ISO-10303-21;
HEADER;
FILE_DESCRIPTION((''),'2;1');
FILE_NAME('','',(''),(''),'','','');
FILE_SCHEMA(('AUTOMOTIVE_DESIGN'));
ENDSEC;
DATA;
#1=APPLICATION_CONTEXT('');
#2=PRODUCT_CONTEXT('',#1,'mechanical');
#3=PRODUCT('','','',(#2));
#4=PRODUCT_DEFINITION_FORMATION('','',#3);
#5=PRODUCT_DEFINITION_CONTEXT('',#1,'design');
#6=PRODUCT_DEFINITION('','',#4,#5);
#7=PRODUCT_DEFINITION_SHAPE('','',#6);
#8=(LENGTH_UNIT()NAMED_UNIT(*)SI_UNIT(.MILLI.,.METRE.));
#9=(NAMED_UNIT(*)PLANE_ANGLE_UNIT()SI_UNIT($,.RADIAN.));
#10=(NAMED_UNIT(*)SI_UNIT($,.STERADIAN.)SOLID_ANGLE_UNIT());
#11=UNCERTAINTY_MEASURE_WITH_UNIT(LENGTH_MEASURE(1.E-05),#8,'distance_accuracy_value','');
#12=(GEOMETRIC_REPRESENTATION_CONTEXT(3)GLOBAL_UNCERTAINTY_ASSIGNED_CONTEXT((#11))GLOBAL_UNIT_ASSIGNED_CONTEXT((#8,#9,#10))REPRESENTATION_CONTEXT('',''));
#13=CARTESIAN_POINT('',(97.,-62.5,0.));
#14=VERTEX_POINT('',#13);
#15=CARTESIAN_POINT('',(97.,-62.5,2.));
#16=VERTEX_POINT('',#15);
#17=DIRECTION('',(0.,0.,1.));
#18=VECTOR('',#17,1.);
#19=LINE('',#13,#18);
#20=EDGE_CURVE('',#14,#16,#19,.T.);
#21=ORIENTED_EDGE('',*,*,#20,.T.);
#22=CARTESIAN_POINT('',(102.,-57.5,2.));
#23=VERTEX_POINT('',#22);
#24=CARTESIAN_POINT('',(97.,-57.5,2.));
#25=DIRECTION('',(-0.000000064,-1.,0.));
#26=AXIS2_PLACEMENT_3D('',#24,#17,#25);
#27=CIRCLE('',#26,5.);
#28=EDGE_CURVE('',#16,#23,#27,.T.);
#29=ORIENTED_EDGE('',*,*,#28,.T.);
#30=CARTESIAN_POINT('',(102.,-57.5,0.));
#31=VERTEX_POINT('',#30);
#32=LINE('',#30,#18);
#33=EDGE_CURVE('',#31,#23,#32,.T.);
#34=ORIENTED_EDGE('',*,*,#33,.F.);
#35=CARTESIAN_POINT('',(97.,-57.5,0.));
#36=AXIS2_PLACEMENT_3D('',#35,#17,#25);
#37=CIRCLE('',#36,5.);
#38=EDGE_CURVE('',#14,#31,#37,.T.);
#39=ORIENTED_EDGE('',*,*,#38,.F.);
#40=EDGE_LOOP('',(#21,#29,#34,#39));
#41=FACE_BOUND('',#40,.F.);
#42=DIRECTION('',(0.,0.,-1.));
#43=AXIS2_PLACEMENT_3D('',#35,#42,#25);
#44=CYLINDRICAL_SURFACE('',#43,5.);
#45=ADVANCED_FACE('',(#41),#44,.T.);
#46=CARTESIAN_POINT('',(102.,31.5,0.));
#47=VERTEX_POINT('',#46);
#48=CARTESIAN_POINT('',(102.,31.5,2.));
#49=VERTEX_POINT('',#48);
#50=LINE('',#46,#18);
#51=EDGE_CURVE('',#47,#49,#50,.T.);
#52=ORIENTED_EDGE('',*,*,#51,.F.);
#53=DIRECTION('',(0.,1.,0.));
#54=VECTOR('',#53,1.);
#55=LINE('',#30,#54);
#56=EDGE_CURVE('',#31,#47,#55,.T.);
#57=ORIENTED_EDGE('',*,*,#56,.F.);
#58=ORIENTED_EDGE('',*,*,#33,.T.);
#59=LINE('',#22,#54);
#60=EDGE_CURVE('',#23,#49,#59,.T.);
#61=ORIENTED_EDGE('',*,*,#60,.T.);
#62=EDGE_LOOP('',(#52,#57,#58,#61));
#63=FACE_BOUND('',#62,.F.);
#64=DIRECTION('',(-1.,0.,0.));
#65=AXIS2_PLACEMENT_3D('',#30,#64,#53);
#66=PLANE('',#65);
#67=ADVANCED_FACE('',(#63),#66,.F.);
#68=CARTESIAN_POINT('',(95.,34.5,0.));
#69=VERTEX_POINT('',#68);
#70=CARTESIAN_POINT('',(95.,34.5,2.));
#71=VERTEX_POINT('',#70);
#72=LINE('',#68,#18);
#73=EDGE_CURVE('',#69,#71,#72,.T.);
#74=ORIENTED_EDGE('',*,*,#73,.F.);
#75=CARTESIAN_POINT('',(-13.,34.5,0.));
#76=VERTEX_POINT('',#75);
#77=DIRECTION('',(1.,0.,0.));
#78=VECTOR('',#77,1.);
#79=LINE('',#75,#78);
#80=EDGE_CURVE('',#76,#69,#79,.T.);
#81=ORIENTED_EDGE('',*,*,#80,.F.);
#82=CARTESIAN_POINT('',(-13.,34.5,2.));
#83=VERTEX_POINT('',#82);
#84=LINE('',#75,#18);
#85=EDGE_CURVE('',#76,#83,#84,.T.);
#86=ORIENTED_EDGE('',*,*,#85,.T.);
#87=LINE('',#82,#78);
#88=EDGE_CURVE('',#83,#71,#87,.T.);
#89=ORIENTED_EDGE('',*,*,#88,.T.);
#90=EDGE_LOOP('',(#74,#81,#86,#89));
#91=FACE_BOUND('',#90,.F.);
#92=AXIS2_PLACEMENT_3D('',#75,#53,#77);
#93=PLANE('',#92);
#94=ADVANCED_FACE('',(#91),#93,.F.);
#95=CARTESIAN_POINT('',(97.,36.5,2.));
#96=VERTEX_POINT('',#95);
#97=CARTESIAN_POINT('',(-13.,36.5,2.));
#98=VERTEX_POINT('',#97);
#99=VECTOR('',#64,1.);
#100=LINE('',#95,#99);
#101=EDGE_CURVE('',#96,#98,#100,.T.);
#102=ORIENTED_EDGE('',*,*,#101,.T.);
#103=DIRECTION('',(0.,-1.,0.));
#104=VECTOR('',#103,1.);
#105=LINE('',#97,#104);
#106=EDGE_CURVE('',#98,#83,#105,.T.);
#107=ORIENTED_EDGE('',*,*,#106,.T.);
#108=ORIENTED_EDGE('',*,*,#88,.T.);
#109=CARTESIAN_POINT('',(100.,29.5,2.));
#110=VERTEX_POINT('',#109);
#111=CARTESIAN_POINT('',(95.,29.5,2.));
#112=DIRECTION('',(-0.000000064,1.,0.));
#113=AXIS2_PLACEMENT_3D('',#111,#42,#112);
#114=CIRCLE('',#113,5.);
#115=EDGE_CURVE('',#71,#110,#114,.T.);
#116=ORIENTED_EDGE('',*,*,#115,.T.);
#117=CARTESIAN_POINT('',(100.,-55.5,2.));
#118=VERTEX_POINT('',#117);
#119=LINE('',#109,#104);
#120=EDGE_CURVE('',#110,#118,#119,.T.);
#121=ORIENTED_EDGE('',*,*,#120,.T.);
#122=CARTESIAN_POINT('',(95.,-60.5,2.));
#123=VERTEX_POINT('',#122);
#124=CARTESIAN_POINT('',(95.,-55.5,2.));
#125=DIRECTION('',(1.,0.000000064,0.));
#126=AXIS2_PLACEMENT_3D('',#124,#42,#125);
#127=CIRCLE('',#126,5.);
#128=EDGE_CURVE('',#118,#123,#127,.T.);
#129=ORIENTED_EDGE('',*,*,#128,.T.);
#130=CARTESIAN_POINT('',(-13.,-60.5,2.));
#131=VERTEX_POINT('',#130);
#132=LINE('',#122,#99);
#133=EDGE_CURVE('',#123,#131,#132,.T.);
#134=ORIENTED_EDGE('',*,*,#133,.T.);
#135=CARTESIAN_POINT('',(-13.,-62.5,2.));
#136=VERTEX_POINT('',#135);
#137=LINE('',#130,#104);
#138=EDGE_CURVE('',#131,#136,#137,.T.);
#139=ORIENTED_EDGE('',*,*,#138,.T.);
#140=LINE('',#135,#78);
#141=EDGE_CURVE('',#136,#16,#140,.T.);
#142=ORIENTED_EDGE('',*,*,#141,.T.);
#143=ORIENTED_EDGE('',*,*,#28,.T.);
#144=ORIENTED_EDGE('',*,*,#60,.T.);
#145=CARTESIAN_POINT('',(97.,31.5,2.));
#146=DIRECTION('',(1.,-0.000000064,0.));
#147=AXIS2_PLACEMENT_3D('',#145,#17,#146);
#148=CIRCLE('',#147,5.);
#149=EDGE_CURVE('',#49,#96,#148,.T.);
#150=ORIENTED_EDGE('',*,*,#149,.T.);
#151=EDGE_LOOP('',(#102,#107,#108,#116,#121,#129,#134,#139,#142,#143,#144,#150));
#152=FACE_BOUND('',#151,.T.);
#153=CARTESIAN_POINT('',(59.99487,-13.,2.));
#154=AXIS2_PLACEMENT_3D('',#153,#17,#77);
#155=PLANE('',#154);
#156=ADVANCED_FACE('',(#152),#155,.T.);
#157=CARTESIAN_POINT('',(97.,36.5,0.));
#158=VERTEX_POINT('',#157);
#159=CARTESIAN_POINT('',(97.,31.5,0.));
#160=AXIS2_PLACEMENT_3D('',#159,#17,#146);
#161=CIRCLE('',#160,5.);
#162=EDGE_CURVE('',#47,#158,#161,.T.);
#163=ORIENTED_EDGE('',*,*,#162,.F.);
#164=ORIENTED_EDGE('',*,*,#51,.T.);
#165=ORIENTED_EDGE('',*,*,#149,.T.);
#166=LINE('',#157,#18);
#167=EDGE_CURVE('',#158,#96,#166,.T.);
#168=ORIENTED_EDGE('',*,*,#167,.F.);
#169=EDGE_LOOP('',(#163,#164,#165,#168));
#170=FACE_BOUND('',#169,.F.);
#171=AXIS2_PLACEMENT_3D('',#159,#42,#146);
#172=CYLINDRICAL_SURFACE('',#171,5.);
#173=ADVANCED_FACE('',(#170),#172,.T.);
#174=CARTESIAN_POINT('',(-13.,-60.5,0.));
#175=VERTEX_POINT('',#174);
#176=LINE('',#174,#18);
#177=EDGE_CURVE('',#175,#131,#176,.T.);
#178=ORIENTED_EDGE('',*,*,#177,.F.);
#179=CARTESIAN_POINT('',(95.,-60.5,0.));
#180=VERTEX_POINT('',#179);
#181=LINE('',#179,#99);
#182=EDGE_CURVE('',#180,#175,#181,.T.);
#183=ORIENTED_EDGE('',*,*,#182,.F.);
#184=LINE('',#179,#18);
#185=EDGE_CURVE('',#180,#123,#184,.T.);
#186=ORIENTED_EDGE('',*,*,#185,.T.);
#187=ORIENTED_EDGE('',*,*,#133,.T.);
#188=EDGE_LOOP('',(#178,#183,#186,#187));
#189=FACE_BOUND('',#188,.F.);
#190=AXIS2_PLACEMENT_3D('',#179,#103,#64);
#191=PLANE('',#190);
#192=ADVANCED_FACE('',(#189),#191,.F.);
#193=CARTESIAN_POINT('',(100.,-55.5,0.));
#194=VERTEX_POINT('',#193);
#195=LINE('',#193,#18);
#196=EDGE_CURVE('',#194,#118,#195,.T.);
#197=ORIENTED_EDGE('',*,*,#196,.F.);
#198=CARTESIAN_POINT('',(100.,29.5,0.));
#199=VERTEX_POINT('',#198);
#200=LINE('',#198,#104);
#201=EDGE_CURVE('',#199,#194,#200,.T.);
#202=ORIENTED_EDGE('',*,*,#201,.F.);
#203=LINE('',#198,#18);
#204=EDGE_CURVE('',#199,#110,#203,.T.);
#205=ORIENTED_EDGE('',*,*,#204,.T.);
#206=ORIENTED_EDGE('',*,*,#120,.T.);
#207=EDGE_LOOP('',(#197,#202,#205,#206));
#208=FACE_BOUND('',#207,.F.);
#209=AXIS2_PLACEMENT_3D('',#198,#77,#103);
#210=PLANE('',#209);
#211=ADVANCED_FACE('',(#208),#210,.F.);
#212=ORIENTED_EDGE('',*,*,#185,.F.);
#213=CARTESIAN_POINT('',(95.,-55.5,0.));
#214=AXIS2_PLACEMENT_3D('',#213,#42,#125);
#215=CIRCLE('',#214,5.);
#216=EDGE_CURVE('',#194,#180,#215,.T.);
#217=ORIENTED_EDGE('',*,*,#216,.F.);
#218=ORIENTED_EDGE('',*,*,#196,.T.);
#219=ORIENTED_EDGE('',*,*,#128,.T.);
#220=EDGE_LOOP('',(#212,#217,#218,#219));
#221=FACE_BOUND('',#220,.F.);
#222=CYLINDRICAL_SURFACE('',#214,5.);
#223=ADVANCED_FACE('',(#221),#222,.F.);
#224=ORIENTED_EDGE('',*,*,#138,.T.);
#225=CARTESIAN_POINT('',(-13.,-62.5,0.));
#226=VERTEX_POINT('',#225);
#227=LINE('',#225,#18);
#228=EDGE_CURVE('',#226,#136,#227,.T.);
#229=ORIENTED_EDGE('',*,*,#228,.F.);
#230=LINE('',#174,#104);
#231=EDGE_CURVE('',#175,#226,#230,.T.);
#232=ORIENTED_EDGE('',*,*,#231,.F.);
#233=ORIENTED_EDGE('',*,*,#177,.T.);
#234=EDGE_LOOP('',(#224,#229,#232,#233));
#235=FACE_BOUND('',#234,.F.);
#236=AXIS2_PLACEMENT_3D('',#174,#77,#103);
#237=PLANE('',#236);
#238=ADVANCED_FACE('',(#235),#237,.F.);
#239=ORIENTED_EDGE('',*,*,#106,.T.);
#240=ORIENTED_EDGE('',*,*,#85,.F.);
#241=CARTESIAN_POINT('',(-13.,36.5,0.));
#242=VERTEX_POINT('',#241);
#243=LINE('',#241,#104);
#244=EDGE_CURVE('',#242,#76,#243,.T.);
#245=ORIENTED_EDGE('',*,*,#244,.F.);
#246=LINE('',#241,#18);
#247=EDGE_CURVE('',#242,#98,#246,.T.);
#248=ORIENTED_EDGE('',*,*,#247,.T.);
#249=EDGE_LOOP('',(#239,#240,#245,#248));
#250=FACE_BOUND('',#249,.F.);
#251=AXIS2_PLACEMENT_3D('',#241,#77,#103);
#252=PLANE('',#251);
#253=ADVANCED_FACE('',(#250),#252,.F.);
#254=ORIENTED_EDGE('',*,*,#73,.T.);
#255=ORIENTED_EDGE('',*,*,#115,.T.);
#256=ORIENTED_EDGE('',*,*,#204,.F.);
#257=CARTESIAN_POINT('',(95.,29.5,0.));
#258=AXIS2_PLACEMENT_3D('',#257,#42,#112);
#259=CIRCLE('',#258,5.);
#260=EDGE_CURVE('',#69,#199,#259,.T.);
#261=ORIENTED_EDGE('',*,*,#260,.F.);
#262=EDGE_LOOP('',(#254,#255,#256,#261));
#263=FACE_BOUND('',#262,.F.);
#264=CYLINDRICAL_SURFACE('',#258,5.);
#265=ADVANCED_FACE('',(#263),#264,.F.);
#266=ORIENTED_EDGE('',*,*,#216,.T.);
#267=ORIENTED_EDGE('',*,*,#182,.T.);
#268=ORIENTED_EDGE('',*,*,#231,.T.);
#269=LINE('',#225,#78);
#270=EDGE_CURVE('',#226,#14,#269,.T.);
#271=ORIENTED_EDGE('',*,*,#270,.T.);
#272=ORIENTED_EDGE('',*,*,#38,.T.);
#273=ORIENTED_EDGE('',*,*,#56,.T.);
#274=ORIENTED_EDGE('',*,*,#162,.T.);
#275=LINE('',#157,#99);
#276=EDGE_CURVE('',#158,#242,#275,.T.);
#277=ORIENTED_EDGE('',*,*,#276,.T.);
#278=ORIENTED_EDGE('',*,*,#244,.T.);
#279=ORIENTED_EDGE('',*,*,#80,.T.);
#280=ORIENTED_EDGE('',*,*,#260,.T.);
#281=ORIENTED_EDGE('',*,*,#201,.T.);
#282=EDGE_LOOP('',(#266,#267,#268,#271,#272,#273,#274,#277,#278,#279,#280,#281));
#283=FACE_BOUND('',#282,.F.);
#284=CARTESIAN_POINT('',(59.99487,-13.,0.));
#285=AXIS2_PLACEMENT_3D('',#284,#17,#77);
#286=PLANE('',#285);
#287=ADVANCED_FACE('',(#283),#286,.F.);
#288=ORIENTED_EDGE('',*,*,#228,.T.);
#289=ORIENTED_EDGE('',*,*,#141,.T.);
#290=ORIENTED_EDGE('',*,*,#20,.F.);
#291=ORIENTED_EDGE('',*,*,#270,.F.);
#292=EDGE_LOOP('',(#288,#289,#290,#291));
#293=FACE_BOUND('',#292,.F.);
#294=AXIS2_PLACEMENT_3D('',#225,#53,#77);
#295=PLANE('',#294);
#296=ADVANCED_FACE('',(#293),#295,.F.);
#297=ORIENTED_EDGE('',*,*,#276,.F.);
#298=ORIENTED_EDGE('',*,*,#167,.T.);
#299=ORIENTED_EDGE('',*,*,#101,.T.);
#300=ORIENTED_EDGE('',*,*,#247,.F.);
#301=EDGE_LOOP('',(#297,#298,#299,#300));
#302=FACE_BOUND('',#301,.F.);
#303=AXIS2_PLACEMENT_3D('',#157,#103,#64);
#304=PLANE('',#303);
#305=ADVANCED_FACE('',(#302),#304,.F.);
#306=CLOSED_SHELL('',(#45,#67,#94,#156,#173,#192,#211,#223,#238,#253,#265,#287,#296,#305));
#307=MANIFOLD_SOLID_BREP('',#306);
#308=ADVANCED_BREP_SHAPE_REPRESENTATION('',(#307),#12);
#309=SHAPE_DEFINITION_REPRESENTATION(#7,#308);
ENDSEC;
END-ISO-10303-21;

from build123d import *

# Parameters (mm, degrees)
F1_DEPTH = 2


with BuildPart() as f1:
    # F0 (on Top) → F1 (new body)
    with BuildSketch(Plane.XY):
        with BuildLine():
            ThreePointArc((100, -55.5), (98.535534, -59.035534), (95, -60.5))
            Line((95, -60.5), (-13, -60.5))
            Line((-13, -60.5), (-13, -62.5))
            Line((-13, -62.5), (97, -62.5))
            ThreePointArc((97, -62.5), (100.535534, -61.035534), (102, -57.5))
            Line((102, -57.5), (102, 31.5))
            ThreePointArc((102, 31.5), (100.535534, 35.035534), (97, 36.5))
            Line((97, 36.5), (-13, 36.5))
            Line((-13, 36.5), (-13, 34.5))
            Line((-13, 34.5), (95, 34.5))
            ThreePointArc((95, 34.5), (98.535534, 33.035534), (100, 29.5))
            Line((100, 29.5), (100, -55.5))
        make_face()
    extrude(amount=F1_DEPTH)


solid = f1.part
